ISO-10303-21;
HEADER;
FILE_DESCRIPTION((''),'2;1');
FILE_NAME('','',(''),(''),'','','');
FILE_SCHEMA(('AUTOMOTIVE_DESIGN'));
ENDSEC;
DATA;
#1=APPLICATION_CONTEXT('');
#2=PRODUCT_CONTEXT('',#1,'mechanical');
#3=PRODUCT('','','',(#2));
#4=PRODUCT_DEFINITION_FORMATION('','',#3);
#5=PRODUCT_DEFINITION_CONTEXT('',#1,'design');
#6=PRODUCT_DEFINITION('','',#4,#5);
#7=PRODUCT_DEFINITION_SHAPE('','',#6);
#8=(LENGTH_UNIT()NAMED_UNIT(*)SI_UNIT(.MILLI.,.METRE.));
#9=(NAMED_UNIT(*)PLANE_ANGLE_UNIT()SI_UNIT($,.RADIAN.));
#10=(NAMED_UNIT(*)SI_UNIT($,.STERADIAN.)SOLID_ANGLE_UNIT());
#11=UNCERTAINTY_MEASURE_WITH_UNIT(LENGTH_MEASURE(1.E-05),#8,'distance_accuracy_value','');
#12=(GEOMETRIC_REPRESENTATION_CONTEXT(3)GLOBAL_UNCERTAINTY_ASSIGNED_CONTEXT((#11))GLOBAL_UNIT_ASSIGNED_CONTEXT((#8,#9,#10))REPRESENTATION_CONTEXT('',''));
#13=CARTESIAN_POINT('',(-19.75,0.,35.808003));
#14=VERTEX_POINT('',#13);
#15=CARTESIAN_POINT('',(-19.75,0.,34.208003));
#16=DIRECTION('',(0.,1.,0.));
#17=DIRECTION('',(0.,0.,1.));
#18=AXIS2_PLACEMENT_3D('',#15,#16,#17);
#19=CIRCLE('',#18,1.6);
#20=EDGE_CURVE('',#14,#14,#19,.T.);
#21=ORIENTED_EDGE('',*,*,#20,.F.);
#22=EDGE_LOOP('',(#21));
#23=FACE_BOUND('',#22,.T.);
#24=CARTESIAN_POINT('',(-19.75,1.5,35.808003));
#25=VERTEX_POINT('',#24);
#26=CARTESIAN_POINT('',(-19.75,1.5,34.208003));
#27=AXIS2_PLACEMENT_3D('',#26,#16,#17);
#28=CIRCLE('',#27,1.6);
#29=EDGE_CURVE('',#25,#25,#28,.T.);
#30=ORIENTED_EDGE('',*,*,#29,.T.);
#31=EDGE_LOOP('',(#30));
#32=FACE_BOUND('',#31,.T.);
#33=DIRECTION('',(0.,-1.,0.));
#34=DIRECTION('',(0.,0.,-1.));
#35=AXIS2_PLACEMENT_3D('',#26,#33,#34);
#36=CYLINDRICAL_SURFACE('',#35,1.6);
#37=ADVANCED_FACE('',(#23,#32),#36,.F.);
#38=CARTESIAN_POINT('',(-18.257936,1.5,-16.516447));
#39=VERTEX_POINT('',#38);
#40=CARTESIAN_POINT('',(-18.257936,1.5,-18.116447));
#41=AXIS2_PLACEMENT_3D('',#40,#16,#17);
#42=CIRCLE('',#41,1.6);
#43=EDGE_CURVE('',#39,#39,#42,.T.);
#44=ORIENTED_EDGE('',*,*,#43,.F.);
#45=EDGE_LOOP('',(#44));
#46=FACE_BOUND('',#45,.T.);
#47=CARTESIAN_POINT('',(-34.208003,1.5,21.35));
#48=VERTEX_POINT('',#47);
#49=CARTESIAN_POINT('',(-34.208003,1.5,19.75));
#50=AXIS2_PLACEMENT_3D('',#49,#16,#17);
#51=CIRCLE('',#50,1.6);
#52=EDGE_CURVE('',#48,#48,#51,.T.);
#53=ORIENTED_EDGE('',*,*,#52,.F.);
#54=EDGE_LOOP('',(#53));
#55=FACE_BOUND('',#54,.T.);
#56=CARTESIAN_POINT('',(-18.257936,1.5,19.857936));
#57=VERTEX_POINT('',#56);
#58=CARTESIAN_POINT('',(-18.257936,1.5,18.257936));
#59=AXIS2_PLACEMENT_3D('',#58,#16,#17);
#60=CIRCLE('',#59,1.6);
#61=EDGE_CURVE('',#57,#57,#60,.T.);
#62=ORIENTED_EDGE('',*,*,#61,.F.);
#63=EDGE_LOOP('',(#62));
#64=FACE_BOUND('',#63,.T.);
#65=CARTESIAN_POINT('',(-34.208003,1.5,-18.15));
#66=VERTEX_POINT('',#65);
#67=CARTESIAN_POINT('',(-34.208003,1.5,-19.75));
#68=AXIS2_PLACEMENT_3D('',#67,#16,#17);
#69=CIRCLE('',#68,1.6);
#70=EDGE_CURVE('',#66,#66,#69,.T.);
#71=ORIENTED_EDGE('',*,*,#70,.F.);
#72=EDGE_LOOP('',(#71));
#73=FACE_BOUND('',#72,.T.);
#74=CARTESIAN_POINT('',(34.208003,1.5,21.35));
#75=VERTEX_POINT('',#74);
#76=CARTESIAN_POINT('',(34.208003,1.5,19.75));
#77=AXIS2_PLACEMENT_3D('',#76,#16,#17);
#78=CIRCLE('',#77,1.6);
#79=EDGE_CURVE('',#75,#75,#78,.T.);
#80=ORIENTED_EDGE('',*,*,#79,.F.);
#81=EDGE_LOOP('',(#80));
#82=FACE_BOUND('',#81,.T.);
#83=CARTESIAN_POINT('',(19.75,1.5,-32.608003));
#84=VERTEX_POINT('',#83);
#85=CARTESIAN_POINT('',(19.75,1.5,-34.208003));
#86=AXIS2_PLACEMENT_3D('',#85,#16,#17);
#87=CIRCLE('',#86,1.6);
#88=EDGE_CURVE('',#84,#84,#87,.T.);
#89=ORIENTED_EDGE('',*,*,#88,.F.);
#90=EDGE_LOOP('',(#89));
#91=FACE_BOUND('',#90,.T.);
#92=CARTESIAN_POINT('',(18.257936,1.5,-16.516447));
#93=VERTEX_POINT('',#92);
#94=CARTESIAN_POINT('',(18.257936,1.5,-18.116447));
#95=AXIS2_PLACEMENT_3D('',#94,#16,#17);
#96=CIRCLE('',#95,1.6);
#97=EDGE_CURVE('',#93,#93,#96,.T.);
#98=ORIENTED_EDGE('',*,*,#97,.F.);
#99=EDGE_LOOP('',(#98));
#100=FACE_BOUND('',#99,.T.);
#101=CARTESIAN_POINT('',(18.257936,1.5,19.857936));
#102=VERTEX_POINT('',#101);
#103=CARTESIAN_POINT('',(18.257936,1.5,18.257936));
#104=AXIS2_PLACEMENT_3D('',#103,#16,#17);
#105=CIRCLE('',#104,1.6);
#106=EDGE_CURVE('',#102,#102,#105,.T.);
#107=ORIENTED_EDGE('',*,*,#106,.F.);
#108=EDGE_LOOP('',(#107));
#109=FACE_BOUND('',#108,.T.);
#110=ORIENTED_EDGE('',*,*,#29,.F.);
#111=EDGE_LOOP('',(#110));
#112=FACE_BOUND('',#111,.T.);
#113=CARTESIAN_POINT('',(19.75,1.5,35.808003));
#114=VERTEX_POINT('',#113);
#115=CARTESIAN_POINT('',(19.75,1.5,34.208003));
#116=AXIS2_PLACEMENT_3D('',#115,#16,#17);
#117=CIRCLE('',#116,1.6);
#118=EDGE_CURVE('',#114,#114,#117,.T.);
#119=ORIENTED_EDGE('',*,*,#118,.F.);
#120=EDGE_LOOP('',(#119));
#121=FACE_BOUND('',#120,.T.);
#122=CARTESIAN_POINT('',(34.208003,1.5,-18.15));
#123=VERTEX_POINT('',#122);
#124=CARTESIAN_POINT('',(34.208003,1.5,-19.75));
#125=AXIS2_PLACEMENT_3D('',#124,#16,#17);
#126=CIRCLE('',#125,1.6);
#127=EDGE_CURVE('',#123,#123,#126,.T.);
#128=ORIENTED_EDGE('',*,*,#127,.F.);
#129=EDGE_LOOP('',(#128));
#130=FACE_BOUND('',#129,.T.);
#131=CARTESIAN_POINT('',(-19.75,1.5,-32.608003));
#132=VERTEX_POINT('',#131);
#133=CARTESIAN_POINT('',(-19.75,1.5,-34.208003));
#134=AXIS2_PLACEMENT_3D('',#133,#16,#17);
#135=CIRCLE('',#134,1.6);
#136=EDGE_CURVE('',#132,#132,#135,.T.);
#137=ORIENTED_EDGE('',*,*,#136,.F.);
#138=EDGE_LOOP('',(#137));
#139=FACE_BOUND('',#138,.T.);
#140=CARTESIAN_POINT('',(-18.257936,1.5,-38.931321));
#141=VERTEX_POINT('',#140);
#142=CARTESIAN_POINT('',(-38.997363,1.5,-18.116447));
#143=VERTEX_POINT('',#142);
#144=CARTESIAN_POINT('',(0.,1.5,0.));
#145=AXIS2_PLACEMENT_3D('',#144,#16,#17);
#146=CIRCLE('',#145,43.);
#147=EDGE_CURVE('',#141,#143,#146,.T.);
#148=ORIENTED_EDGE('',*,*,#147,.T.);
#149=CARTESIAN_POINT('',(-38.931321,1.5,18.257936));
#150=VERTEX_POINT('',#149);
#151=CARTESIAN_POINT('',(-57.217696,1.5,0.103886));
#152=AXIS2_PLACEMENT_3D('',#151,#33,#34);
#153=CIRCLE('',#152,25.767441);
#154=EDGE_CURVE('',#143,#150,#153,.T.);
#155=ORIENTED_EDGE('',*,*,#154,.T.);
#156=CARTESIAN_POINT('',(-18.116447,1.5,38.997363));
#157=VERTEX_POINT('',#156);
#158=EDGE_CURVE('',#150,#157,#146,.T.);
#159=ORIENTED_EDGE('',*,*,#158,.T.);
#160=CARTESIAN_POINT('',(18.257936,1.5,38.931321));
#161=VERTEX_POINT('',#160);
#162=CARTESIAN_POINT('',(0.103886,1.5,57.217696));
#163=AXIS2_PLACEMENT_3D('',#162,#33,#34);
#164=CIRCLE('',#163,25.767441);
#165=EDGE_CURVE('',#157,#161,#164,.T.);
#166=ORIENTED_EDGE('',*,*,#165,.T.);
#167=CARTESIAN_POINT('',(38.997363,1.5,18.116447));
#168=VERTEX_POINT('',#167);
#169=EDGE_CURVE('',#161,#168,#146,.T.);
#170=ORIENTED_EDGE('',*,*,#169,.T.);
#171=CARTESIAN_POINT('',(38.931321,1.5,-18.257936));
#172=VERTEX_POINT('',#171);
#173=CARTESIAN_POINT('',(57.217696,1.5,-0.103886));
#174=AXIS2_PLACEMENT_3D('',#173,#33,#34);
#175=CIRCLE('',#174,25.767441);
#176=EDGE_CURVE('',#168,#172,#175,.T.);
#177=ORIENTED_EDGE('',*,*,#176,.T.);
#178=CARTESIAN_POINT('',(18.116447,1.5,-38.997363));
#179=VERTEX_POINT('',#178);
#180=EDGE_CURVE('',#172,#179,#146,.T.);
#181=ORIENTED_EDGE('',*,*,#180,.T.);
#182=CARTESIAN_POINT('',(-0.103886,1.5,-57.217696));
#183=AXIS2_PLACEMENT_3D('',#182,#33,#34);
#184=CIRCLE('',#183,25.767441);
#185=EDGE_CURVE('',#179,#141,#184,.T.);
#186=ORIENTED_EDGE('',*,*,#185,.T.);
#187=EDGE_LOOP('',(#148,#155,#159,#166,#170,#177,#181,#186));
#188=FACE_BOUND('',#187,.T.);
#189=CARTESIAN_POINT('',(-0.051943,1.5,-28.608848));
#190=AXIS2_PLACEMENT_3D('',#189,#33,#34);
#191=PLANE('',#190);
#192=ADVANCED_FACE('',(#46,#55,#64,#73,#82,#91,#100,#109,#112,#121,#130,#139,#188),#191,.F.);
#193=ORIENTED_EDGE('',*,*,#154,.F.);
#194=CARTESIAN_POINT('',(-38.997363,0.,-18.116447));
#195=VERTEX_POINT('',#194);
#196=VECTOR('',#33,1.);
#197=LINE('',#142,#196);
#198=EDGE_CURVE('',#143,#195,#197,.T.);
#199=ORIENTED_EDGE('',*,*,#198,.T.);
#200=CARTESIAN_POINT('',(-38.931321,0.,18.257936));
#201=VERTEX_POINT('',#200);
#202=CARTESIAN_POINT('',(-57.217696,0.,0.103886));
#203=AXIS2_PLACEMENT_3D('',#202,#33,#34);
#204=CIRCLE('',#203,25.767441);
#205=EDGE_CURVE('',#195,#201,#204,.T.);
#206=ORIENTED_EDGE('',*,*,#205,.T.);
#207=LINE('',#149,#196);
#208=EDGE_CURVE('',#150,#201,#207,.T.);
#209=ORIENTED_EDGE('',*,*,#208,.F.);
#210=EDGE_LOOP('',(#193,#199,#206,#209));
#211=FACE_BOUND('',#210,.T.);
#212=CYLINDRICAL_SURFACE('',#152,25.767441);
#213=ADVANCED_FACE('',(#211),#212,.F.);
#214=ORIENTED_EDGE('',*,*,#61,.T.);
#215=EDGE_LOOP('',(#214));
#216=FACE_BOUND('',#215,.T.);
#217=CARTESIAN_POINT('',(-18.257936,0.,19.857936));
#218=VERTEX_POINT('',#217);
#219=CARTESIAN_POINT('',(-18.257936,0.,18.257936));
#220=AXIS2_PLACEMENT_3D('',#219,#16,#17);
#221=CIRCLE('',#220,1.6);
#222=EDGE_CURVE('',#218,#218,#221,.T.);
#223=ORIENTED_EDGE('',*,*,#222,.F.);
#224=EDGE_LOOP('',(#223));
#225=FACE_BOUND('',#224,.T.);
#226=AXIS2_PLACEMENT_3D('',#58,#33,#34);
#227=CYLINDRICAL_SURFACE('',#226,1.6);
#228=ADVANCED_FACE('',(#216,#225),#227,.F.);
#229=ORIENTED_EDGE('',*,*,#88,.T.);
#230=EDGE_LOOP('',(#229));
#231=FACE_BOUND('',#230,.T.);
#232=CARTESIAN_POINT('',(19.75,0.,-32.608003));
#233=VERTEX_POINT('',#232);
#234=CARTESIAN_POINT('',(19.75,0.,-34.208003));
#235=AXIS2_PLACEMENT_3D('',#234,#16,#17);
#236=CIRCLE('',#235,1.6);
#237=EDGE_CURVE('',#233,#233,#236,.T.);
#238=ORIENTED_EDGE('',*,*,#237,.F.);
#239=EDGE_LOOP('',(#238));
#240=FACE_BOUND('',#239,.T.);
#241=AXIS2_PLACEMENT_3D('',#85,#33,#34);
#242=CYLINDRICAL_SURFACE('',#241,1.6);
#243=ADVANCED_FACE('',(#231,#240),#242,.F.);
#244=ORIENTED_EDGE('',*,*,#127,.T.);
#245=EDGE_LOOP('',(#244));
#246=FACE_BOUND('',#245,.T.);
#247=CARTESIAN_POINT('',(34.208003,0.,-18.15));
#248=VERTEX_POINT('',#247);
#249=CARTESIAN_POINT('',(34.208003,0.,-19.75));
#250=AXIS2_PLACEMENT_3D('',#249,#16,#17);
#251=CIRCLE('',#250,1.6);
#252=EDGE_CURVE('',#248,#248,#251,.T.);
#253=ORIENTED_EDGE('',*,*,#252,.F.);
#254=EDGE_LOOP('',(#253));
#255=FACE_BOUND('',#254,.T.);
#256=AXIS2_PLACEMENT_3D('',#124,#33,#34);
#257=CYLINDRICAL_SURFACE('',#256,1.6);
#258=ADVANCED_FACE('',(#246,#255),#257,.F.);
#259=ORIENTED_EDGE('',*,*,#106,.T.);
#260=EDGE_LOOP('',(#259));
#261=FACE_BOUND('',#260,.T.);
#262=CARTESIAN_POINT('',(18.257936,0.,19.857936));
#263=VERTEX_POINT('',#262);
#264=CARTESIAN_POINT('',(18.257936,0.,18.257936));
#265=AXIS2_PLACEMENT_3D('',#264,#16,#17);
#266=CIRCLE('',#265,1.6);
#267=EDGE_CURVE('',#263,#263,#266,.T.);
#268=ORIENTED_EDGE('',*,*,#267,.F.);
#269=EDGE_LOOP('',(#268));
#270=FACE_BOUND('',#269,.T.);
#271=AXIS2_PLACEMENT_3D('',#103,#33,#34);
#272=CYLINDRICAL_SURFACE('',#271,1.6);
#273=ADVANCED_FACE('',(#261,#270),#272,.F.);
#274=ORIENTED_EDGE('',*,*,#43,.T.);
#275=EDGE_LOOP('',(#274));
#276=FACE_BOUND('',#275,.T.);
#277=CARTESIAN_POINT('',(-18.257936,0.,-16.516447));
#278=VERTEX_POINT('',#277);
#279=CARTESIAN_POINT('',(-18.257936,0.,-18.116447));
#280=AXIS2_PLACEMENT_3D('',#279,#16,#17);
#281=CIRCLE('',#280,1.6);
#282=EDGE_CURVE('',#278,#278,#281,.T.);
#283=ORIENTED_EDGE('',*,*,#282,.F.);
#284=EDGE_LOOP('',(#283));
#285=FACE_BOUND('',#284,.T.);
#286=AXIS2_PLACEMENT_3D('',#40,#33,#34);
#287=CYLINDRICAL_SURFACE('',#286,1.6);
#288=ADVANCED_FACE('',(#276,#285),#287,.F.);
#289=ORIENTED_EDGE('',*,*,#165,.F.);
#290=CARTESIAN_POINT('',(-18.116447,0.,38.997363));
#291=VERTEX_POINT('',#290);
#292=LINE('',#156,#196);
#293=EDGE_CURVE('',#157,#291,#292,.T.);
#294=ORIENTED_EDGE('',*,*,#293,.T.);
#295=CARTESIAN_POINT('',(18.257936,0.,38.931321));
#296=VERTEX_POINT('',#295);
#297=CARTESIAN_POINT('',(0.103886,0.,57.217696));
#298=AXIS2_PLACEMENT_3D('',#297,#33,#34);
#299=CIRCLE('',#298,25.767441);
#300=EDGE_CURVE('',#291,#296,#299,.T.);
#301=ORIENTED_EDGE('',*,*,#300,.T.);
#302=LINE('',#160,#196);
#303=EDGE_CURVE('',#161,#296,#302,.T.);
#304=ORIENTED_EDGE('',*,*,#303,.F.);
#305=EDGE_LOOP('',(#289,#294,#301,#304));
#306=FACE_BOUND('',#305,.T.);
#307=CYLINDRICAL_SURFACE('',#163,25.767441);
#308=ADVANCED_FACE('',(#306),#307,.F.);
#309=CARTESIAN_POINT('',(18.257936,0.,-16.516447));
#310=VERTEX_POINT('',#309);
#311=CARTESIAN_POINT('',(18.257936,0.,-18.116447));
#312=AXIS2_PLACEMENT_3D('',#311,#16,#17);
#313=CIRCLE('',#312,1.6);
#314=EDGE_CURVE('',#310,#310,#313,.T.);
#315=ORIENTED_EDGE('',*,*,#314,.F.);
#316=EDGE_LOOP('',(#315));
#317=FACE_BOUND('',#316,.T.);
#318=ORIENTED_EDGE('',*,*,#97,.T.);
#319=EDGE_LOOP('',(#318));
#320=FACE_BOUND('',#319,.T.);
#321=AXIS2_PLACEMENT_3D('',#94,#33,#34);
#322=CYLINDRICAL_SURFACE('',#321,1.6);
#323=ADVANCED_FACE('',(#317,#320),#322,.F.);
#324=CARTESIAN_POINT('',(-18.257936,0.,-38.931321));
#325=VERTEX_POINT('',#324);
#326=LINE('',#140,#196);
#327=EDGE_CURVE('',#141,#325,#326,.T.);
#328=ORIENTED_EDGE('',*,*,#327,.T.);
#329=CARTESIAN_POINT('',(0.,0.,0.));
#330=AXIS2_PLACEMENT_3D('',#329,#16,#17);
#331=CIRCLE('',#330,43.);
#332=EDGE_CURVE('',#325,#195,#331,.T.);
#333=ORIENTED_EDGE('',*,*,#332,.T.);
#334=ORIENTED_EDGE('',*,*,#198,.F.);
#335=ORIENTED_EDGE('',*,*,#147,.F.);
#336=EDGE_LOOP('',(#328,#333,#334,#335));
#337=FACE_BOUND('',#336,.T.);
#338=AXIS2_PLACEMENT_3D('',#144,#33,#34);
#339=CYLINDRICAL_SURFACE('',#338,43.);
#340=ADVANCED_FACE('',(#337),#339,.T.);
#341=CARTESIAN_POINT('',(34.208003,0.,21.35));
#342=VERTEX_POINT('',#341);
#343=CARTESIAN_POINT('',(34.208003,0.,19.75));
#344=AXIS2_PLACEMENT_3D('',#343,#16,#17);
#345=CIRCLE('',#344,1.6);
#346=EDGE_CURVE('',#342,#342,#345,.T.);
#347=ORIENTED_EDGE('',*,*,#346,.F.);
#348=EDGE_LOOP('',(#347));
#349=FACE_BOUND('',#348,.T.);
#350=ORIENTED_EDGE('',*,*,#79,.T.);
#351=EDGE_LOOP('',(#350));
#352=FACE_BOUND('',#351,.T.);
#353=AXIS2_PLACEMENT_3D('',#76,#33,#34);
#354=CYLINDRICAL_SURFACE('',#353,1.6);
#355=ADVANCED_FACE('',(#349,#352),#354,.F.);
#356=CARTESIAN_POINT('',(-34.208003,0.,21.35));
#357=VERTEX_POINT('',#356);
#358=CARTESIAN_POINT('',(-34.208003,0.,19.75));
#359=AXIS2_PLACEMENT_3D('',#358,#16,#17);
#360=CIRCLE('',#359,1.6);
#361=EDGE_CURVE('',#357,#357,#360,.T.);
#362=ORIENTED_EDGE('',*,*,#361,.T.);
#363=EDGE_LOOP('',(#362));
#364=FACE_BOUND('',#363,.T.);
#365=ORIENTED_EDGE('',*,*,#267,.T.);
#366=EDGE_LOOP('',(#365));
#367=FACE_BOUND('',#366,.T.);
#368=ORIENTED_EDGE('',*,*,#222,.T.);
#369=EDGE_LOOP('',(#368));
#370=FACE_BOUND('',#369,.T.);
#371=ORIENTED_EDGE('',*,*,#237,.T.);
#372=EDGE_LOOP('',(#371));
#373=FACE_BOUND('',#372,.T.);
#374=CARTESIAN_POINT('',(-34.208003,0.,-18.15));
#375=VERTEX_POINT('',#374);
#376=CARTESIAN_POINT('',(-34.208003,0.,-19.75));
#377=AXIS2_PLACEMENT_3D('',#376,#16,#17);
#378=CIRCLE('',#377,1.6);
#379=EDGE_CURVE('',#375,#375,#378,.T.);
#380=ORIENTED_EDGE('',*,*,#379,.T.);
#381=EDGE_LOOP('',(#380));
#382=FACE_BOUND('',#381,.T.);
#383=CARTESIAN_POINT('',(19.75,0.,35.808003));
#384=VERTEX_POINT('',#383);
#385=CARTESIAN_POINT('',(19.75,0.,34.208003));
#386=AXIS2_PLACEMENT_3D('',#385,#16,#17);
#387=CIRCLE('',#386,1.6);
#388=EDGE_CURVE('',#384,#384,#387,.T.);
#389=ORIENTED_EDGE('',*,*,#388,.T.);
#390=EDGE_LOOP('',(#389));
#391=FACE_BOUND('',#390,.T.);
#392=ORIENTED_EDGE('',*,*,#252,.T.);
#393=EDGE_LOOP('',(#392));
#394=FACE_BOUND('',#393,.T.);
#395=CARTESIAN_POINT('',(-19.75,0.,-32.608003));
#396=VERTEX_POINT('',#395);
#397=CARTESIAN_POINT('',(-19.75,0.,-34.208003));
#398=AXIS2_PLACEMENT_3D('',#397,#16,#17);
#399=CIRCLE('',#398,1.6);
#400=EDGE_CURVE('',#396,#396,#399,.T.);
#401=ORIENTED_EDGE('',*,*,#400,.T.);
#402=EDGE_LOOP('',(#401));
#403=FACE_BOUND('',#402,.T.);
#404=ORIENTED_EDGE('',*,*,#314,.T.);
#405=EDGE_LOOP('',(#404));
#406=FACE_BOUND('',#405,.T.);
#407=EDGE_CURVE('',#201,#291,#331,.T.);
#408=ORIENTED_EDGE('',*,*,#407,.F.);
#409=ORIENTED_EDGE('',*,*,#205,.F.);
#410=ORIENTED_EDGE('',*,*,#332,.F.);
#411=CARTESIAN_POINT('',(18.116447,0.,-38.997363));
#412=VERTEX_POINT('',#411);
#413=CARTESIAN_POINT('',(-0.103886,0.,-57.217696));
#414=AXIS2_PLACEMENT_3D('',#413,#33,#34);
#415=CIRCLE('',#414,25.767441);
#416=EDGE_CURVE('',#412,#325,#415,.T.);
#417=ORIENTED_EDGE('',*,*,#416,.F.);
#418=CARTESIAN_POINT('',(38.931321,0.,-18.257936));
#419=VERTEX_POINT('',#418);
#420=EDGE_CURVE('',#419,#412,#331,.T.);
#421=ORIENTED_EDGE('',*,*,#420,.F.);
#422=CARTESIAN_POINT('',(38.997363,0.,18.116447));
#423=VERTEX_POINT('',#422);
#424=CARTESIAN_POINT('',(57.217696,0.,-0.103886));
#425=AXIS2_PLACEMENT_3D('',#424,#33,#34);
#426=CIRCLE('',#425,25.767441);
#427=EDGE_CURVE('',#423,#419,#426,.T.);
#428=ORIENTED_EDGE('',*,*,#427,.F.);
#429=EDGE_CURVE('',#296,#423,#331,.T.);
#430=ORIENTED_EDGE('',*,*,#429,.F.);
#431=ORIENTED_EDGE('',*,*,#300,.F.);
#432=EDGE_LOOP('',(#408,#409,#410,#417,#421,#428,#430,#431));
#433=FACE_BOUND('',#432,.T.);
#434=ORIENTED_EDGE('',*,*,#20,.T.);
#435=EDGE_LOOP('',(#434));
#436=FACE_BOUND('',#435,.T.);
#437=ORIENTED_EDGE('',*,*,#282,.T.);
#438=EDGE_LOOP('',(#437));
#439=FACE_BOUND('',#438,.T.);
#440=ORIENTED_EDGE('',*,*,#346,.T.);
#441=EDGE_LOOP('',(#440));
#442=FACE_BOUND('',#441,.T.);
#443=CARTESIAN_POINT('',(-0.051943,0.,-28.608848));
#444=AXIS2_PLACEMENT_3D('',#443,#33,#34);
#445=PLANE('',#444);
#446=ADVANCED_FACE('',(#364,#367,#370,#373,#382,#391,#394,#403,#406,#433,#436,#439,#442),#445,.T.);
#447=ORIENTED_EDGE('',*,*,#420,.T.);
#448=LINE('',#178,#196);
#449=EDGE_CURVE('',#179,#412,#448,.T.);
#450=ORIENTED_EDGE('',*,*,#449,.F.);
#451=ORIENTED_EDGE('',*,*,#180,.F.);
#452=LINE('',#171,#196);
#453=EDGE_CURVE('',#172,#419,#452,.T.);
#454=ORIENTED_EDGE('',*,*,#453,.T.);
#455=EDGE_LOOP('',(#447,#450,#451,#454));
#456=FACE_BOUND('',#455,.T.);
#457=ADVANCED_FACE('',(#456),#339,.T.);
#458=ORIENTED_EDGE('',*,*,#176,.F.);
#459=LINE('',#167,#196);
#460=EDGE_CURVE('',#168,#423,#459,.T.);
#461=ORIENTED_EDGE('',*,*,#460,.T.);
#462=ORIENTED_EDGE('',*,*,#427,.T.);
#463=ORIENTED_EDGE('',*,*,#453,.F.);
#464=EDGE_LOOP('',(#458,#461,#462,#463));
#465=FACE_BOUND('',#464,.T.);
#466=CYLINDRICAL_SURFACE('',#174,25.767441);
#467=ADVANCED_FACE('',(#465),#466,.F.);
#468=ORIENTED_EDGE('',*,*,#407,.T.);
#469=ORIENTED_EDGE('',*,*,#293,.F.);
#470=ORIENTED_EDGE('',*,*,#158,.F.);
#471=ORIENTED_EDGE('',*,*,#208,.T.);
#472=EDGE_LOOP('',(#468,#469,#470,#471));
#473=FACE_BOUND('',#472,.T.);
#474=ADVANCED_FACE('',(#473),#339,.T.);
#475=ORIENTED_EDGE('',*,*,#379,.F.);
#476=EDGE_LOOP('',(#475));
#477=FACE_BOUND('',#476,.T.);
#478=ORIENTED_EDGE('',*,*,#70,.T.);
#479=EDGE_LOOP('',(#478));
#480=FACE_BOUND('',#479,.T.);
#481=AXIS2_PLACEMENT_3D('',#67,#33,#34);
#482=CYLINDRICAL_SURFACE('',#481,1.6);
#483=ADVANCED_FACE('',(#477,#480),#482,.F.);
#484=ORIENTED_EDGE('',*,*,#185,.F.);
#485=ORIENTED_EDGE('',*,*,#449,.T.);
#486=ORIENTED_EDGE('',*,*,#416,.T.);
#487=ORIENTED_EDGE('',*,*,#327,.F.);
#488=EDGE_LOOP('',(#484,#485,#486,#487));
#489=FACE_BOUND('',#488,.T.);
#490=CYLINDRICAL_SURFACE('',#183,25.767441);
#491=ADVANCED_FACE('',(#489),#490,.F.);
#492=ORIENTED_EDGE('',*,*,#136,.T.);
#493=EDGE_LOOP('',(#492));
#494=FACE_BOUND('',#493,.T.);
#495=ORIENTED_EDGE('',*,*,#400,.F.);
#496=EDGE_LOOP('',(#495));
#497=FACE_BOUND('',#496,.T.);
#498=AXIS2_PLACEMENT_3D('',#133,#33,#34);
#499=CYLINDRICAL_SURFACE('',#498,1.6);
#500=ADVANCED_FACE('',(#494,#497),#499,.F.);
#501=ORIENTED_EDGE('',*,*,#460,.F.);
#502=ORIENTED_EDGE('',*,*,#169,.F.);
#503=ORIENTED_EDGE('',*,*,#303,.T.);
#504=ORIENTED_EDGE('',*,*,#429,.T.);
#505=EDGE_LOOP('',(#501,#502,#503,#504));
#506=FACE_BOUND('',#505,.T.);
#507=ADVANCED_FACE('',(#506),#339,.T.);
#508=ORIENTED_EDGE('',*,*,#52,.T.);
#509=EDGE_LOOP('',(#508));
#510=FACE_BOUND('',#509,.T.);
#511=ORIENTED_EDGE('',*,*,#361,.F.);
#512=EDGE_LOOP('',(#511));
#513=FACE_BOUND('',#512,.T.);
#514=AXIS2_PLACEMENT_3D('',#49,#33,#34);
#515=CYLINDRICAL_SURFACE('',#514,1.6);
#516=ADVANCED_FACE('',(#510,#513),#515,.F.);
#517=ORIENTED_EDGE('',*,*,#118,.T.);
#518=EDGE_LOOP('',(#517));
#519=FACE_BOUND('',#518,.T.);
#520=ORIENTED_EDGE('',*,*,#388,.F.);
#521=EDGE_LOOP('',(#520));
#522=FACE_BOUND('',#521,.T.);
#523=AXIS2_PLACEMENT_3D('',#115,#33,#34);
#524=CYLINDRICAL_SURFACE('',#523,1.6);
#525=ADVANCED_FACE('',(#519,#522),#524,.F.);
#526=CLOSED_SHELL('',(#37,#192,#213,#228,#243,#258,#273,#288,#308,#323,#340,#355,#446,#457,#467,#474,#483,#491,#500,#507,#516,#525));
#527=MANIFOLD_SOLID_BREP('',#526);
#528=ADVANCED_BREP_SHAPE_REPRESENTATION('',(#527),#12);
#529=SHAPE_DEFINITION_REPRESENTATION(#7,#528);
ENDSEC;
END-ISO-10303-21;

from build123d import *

# Parameters (mm, degrees)
SKETCH2_R           = 1.6
BOSS_EXTRUDE1_DEPTH = 1.5


with BuildPart() as part:
    # Sketch2 → Boss-Extrude1 (new body)
    with BuildSketch(Plane(origin=(0, 0, 0), x_dir=(1, 0, 0), z_dir=(0, 1, 0))):
        with BuildLine():
            ThreePointArc((-18.257935671, 38.931321388), (-30.460746389, 30.350336562), (-38.99736345, 18.116446781))
            ThreePointArc((-38.99736345, 18.116446781), (-31.450297137, -0.057101793), (-38.931321388, -18.257935671))
            ThreePointArc((-38.931321388, -18.257935671), (-30.350336562, -30.460746389), (-18.116446781, -38.99736345))
            ThreePointArc((-18.116446781, -38.99736345), (0.057101793, -31.450297137), (18.257935671, -38.931321388))
            ThreePointArc((18.257935671, -38.931321388), (30.460746389, -30.350336562), (38.99736345, -18.116446781))
            ThreePointArc((38.99736345, -18.116446781), (31.450297137, 0.057101793), (38.931321388, 18.257935671))
            ThreePointArc((38.931321388, 18.257935671), (30.350336562, 30.460746389), (18.116446781, 38.99736345))
            ThreePointArc((18.116446781, 38.99736345), (-0.057101793, 31.450297137), (-18.257935671, 38.931321388))
        make_face()
        with Locations((19.75, 34.208003449)):
            Circle(SKETCH2_R, mode=Mode.SUBTRACT)
        with Locations((34.208003449, 19.75)):
            Circle(SKETCH2_R, mode=Mode.SUBTRACT)
        with Locations((19.75, -34.208003449)):
            Circle(SKETCH2_R, mode=Mode.SUBTRACT)
        with Locations((34.208003449, -19.75)):
            Circle(SKETCH2_R, mode=Mode.SUBTRACT)
        with Locations((-34.208003449, -19.75)):
            Circle(SKETCH2_R, mode=Mode.SUBTRACT)
        with Locations((-19.75, -34.208003449)):
            Circle(SKETCH2_R, mode=Mode.SUBTRACT)
        with Locations((-19.75, 34.208003449)):
            Circle(SKETCH2_R, mode=Mode.SUBTRACT)
        with Locations((-34.208003449, 19.75)):
            Circle(SKETCH2_R, mode=Mode.SUBTRACT)
        with Locations((-18.257935671, 18.116446781)):
            Circle(SKETCH2_R, mode=Mode.SUBTRACT)
        with Locations((18.257935671, 18.116446781)):
            Circle(SKETCH2_R, mode=Mode.SUBTRACT)
        with Locations((-18.257935671, -18.257935671)):
            Circle(SKETCH2_R, mode=Mode.SUBTRACT)
        with Locations((18.257935671, -18.257935671)):
            Circle(SKETCH2_R, mode=Mode.SUBTRACT)
    extrude(amount=BOSS_EXTRUDE1_DEPTH)


solid = part.part
